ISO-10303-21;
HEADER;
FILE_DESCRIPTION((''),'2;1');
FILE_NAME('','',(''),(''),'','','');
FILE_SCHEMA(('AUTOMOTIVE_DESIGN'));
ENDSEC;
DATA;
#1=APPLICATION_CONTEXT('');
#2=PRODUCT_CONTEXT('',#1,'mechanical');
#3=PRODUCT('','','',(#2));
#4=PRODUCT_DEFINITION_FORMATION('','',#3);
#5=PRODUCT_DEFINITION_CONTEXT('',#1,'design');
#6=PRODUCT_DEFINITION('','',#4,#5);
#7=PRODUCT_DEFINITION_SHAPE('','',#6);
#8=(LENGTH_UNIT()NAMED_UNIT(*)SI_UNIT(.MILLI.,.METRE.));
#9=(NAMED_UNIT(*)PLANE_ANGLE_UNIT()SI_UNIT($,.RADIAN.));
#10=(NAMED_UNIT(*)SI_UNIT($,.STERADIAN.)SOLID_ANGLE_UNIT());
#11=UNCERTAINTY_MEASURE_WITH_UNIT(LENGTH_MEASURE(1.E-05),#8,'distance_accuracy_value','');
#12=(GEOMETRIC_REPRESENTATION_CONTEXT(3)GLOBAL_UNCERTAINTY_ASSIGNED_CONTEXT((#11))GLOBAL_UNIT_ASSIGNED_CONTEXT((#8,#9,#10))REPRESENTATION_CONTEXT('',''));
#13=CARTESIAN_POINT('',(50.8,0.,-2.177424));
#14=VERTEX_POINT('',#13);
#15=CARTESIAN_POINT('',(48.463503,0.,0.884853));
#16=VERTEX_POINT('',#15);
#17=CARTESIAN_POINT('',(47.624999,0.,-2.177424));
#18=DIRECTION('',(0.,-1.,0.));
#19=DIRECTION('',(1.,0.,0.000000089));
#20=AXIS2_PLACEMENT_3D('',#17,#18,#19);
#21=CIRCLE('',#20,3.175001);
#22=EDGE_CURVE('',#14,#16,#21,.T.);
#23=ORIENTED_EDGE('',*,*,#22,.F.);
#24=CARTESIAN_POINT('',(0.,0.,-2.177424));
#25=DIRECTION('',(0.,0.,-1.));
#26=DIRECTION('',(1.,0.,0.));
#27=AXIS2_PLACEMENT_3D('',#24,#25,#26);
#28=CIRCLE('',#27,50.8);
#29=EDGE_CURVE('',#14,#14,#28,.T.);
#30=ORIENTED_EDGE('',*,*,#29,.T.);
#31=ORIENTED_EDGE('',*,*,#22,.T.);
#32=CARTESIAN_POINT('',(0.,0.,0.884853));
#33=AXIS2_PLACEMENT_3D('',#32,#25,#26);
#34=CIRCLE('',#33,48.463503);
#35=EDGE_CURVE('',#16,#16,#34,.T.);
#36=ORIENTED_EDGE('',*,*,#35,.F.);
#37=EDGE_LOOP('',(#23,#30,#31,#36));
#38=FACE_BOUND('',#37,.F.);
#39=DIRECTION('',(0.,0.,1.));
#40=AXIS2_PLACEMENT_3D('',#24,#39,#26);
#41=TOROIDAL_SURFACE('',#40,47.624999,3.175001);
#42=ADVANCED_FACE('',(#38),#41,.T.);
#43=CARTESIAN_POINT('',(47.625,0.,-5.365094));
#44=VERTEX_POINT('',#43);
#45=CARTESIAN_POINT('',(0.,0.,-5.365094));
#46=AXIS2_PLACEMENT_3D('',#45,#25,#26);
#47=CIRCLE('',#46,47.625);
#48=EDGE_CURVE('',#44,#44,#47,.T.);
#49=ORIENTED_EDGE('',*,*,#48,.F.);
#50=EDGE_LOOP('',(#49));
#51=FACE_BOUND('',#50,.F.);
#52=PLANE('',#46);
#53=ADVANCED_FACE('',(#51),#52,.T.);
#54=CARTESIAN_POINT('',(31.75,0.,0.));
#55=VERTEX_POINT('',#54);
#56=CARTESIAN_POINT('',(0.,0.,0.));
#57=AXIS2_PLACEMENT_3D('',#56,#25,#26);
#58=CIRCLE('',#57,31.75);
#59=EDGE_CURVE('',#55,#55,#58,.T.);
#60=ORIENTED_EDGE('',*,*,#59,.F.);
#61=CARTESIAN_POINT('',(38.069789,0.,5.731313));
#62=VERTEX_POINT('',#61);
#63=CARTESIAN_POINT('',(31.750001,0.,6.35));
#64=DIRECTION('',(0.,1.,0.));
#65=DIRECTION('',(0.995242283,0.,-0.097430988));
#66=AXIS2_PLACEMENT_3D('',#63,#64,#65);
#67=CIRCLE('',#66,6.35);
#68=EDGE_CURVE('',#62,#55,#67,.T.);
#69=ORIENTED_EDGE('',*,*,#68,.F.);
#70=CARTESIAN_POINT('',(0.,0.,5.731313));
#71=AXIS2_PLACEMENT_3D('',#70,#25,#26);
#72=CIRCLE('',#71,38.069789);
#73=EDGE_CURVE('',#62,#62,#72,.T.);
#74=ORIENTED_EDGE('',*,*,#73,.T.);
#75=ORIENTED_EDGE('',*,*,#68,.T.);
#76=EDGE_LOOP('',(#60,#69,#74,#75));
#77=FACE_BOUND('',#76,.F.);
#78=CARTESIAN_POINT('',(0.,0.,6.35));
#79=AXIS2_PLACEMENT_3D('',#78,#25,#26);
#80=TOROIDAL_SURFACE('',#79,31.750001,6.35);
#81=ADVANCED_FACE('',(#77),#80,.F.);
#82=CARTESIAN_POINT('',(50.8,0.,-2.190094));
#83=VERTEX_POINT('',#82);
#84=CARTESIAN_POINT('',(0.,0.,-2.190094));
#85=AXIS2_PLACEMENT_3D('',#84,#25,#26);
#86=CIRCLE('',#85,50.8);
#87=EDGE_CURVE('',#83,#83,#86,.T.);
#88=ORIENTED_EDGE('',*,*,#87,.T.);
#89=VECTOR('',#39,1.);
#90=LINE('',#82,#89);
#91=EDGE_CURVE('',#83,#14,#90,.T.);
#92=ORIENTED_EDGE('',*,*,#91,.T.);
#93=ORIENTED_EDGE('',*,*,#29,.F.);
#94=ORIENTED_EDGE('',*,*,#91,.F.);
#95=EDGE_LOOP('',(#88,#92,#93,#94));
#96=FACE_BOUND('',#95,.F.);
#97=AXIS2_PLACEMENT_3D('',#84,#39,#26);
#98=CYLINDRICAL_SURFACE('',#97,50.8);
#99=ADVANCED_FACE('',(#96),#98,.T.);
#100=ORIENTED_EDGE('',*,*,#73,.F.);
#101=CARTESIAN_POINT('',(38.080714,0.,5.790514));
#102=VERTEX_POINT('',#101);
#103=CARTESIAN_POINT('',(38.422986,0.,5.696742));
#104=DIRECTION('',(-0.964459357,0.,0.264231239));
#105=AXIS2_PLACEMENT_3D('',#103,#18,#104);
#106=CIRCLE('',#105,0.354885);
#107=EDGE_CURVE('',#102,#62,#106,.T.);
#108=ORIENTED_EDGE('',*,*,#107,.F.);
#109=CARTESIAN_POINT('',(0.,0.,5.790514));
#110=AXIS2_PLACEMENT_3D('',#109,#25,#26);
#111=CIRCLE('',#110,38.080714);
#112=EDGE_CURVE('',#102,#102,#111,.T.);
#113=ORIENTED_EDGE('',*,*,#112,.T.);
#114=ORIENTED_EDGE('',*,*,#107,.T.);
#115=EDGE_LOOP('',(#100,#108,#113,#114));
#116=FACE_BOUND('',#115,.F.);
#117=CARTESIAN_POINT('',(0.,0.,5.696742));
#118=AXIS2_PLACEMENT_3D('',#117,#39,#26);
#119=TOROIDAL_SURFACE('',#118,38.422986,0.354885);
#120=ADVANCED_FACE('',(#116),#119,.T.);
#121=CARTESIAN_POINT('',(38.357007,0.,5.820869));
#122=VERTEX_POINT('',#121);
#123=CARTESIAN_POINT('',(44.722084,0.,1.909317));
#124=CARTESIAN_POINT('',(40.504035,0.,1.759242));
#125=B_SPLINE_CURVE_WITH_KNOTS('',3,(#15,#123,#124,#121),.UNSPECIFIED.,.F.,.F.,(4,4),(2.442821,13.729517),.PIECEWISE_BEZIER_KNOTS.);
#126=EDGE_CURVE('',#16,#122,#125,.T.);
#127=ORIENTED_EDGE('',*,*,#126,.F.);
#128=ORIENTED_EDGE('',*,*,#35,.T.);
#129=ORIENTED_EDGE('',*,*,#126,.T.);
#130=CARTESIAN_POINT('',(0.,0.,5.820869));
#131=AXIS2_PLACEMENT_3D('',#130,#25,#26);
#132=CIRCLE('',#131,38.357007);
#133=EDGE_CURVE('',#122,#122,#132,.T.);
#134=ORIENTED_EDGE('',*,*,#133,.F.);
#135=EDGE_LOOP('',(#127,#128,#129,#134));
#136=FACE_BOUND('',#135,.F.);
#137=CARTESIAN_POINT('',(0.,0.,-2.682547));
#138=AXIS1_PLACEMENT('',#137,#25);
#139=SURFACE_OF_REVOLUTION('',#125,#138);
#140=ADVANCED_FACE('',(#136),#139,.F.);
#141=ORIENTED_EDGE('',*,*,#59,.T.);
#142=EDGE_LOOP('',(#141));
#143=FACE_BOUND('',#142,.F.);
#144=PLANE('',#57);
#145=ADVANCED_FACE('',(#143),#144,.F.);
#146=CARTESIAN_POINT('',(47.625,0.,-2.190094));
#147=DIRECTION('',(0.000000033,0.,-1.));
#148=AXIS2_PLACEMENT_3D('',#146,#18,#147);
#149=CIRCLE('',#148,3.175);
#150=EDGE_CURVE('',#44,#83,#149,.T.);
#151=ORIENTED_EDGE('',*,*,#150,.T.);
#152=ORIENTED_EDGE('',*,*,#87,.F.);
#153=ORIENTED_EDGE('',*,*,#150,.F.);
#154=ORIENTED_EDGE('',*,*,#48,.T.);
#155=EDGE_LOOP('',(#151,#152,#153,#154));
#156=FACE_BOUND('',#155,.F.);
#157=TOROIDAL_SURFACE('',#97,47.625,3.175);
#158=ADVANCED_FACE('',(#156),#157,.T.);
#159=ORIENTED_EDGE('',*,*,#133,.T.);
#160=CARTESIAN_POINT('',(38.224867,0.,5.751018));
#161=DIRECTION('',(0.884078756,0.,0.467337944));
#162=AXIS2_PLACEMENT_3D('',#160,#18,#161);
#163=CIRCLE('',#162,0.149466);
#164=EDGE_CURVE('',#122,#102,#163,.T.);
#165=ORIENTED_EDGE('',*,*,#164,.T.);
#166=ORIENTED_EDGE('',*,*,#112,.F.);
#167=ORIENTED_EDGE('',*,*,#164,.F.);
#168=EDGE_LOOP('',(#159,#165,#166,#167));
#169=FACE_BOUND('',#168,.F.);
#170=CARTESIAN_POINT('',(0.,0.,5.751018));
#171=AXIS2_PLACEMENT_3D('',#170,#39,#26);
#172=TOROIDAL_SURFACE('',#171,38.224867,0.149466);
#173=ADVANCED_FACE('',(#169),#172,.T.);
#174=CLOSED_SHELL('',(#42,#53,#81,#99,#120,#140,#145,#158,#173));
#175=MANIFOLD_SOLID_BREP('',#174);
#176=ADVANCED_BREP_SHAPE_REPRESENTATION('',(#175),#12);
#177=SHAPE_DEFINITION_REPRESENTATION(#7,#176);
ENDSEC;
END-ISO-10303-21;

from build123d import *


with BuildPart() as f2:
    # F1 (on Front) → F2 (revolve)
    with BuildSketch(Plane.XZ):
        with BuildLine():
            ThreePointArc((38.069789, 5.731313), (36.015785, 1.646216), (31.75, 0))
            Line((31.75, 0), (0, 0))
            Line((0, 0), (0, -5.365094))
            Line((0, -5.365094), (47.625, -5.365094))
            ThreePointArc((47.625, -5.365094), (49.870064, -4.435158), (50.8, -2.190094))
            Line((50.8, -2.190094), (50.8, -2.177424))
            ThreePointArc((50.8, -2.177424), (50.14917, -0.251498), (48.463503, 0.884853))
            add(Edge.make_bspline(
                [(48.463503, 0.884853), (44.722084, 1.909317), (40.504035, 1.759242), (38.357007, 5.820869)],
                knots=[2.442821, 2.442821, 2.442821, 2.442821, 13.729517, 13.729517, 13.729517, 13.729517], degree=3))
            ThreePointArc((38.357007, 5.820869), (38.208545, 5.89959), (38.080714, 5.790514))
            ThreePointArc((38.080714, 5.790514), (38.073994, 5.761146), (38.069789, 5.731313))
        make_face()
    revolve(axis=Axis((0, 0, -2.682547), (0, 0, -1)))


solid = f2.part
